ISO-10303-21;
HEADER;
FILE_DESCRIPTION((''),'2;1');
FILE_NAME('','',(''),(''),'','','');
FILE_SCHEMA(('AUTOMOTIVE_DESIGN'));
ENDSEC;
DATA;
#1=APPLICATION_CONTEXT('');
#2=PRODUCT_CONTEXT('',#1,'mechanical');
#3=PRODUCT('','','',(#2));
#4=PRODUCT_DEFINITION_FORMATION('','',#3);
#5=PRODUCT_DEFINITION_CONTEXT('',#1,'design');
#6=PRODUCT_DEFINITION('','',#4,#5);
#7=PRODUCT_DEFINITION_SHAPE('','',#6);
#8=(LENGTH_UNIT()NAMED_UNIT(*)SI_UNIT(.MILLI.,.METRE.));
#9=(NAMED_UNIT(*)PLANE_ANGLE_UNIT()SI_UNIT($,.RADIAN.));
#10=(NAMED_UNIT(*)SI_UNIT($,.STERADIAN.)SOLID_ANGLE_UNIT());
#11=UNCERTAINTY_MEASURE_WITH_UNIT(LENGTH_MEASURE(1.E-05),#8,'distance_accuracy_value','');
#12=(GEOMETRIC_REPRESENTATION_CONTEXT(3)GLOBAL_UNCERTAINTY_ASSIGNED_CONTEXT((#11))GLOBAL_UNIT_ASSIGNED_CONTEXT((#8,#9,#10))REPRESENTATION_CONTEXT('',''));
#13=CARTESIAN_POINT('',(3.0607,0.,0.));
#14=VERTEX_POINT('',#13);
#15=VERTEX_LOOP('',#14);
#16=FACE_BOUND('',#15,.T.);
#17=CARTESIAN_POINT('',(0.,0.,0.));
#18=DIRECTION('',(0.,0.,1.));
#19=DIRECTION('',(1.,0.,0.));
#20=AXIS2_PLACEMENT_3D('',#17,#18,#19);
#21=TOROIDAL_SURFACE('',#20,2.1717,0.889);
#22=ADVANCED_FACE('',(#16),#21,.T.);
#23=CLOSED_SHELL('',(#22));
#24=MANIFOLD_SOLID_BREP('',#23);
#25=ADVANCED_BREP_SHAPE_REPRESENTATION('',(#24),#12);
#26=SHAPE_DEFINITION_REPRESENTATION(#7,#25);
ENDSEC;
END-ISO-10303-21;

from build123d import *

# Parameters (mm, degrees)
SKETCH1_R = 0.889


with BuildPart() as part:
    # Sketch1 → Revolve1 (revolve)
    with BuildSketch(Plane(origin=(0, 0, 0), x_dir=(0, -1, 0), z_dir=(1, 0, 0)), mode=Mode.PRIVATE) as revolve1_sk:
        with Locations((2.1717, 0)):
            Circle(SKETCH1_R)
    revolve(revolve1_sk.sketch.rotate(Axis((0, 0, 0.889), (0, 0, -1)), 270), axis=Axis((0, 0, 0.889), (0, 0, -1)))


solid = part.part
